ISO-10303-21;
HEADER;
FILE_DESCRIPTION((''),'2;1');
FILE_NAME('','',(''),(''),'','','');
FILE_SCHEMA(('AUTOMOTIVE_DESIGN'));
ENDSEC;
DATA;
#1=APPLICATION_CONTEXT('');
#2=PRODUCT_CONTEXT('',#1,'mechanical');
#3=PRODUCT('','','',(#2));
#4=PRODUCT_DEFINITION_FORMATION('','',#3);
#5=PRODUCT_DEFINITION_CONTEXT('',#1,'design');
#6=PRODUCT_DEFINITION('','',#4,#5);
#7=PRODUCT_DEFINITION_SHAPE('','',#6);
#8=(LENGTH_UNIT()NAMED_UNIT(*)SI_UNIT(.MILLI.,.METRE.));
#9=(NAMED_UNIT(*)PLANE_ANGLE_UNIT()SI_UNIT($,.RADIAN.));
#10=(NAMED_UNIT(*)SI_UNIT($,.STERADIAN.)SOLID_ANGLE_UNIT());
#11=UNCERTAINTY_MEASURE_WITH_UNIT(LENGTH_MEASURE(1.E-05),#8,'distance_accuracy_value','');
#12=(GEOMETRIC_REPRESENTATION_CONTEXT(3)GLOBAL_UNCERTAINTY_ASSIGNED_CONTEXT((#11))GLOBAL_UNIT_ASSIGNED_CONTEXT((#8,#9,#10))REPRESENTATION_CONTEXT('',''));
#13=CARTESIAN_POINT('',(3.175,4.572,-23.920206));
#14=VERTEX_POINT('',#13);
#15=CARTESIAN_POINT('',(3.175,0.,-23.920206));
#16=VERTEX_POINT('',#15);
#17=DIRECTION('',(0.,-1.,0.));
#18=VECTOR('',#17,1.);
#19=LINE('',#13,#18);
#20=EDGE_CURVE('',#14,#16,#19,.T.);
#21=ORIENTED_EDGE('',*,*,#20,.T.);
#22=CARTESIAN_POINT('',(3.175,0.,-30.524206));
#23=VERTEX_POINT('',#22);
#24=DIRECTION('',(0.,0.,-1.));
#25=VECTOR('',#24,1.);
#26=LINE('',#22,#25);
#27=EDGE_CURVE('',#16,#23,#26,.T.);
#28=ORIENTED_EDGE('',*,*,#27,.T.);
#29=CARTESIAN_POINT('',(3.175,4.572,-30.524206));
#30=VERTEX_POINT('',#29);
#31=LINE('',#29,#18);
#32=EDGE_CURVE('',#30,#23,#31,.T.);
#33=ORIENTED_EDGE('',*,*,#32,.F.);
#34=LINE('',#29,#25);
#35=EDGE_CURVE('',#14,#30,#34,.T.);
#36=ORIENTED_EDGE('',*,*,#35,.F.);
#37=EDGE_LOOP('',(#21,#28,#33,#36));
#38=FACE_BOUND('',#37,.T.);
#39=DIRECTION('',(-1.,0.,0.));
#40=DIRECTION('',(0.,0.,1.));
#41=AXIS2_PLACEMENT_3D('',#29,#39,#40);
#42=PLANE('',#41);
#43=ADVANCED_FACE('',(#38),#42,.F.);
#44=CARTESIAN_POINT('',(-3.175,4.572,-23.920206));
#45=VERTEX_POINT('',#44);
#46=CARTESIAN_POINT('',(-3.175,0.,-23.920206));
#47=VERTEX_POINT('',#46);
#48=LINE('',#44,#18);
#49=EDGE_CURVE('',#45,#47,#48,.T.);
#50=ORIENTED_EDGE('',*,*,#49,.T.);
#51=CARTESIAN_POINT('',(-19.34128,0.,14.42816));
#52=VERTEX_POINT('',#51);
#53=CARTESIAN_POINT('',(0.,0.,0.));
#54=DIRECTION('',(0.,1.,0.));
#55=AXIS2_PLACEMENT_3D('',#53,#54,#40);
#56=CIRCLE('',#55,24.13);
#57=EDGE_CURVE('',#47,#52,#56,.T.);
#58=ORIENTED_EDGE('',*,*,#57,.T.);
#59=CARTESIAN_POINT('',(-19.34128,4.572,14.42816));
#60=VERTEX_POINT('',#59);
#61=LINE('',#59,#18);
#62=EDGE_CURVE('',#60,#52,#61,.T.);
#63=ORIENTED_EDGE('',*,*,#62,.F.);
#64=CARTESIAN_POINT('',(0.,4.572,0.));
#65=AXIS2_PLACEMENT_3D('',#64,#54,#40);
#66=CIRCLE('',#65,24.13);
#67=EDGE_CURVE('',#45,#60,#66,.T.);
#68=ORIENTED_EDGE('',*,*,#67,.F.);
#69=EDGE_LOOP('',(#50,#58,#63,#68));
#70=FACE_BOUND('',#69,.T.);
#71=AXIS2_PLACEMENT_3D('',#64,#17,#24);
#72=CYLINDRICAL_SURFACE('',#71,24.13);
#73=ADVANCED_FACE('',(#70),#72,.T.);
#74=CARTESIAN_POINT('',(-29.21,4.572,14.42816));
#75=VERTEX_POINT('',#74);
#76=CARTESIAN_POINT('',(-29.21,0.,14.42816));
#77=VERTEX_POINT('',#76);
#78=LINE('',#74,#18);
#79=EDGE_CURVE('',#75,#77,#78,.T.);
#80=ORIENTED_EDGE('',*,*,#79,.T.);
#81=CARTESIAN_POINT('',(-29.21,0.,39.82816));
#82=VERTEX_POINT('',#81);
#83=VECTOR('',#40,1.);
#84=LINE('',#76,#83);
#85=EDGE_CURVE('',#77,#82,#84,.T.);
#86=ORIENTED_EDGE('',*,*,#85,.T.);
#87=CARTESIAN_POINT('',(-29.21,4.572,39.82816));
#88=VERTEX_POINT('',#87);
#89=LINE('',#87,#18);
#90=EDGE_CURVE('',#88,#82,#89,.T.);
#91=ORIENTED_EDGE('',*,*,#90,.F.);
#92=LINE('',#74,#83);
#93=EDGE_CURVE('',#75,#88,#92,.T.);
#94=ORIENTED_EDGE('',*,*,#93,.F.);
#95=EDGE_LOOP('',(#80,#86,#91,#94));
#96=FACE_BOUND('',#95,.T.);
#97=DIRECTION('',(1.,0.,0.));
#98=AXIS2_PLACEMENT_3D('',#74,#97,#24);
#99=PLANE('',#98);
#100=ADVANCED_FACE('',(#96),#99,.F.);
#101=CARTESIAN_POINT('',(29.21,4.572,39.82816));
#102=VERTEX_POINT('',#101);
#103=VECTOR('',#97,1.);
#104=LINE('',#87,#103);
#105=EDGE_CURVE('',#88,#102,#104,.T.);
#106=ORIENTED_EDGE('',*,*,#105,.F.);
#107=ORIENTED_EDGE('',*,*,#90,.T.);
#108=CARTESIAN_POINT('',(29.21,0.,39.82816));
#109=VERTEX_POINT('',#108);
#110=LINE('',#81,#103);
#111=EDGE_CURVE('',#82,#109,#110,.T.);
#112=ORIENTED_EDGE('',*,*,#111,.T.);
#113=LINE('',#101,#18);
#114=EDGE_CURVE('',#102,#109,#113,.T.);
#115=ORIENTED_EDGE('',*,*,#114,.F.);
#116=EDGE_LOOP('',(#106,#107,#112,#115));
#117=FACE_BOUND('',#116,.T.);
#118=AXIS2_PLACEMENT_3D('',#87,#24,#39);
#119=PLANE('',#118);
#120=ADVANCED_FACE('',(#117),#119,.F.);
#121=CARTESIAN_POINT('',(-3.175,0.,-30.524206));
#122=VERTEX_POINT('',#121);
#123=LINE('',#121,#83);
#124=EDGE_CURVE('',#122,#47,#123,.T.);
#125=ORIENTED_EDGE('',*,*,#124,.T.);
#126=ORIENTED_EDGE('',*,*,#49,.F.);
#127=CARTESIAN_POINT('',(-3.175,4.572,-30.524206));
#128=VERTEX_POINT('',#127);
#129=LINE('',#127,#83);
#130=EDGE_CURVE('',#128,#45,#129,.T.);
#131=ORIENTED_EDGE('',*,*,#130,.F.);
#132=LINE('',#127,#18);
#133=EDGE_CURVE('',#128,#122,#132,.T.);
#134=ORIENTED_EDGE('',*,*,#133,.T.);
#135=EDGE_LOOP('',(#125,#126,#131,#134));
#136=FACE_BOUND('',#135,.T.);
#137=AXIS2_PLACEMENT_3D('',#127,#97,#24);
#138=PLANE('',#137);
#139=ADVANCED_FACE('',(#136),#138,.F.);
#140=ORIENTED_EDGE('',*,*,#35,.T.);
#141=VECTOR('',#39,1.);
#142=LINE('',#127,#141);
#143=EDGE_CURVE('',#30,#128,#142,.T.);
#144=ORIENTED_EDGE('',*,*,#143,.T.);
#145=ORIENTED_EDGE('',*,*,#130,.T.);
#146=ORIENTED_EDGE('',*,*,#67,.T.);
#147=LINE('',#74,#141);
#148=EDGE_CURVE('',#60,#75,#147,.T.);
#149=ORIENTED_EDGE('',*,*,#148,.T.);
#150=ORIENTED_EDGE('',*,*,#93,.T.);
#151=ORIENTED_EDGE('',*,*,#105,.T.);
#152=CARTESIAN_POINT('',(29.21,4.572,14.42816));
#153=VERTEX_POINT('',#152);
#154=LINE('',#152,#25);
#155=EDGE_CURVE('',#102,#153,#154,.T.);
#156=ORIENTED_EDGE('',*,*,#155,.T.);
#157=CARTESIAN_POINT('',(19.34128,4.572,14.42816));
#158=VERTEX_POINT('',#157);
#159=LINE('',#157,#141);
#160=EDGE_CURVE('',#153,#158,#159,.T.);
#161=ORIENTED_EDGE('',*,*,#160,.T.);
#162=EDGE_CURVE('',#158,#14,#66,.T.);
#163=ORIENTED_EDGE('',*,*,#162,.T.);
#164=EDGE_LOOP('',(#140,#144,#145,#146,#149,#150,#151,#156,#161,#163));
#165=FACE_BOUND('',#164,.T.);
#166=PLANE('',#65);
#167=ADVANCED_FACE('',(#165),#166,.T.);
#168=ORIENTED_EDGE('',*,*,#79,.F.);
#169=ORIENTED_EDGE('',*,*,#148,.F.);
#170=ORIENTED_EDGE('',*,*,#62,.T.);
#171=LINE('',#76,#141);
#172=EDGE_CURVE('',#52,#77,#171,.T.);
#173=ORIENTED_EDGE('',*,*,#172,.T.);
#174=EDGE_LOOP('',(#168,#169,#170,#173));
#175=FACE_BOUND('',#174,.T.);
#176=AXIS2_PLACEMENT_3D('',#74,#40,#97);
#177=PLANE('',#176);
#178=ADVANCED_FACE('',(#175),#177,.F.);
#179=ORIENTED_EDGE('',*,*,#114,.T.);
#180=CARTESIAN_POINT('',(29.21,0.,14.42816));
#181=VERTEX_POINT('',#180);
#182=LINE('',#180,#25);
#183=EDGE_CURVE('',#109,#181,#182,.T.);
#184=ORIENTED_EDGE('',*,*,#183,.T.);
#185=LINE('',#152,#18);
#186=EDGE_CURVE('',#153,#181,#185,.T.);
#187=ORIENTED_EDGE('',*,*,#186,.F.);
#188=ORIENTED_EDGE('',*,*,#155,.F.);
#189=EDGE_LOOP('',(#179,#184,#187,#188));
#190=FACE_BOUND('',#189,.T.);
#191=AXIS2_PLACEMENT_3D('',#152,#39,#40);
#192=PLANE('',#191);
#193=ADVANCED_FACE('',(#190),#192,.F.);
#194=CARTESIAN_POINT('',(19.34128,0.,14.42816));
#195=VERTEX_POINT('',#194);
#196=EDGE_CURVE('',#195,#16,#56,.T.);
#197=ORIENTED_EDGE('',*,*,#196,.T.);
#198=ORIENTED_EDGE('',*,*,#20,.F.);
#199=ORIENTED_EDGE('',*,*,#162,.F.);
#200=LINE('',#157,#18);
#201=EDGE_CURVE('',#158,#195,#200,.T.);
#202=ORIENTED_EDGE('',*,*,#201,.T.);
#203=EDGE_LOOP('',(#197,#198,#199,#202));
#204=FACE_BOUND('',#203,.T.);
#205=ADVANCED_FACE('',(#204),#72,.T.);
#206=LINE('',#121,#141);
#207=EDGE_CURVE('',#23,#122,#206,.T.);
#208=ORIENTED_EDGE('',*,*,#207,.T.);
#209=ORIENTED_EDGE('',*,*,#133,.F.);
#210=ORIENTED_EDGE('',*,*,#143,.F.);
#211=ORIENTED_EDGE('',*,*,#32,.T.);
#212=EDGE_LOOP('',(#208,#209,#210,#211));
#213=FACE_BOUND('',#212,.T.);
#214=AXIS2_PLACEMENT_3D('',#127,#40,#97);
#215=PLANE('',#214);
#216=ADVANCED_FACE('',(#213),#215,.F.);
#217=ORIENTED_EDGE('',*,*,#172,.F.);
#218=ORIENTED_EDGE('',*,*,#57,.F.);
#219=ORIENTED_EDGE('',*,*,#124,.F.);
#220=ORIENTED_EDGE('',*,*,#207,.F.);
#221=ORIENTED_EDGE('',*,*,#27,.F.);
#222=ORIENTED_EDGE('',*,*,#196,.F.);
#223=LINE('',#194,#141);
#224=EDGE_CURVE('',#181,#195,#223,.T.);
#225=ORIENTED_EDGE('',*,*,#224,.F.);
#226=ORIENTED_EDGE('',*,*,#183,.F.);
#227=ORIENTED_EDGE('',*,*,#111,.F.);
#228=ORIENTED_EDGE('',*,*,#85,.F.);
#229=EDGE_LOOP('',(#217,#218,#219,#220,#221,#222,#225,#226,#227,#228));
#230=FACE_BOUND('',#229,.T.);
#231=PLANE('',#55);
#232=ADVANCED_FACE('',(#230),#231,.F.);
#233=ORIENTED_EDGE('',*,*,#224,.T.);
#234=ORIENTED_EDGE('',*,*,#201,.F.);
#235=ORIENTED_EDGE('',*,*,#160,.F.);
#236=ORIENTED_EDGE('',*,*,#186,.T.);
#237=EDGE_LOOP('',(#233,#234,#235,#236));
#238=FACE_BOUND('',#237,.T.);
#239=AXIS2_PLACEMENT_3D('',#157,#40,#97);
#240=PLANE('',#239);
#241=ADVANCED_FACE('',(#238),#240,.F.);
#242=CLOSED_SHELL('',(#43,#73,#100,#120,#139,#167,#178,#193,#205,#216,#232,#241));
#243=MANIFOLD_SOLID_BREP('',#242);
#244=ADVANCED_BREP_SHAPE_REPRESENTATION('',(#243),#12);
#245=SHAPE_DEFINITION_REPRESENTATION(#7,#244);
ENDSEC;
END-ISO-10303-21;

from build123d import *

# Parameters (mm, degrees)
BOSS_EXTRUDE1_DEPTH = 4.572


with BuildPart() as part:
    # Sketch1 → Boss-Extrude1 (new body)
    with BuildSketch(Plane(origin=(0, 0, 0), x_dir=(1, 0, 0), z_dir=(0, 1, 0))):
        with BuildLine():
            Line((-3.175, 30.524206416), (3.175, 30.524206416))
            Line((3.175, 30.524206416), (3.175, 23.920206416))
            ThreePointArc((3.175, 23.920206416), (22.234995228, 9.373467192), (19.341279759, -14.428159872))
            Line((19.341279759, -14.428159872), (29.21, -14.428159872))
            Line((29.21, -14.428159872), (29.21, -39.828159872))
            Line((29.21, -39.828159872), (-29.21, -39.828159872))
            Line((-29.21, -39.828159872), (-29.21, -14.428159872))
            Line((-29.21, -14.428159872), (-19.341279759, -14.428159872))
            ThreePointArc((-19.341279759, -14.428159872), (-22.234995228, 9.373467192), (-3.175, 23.920206416))
            Line((-3.175, 23.920206416), (-3.175, 30.524206416))
        make_face()
    extrude(amount=BOSS_EXTRUDE1_DEPTH)


solid = part.part
